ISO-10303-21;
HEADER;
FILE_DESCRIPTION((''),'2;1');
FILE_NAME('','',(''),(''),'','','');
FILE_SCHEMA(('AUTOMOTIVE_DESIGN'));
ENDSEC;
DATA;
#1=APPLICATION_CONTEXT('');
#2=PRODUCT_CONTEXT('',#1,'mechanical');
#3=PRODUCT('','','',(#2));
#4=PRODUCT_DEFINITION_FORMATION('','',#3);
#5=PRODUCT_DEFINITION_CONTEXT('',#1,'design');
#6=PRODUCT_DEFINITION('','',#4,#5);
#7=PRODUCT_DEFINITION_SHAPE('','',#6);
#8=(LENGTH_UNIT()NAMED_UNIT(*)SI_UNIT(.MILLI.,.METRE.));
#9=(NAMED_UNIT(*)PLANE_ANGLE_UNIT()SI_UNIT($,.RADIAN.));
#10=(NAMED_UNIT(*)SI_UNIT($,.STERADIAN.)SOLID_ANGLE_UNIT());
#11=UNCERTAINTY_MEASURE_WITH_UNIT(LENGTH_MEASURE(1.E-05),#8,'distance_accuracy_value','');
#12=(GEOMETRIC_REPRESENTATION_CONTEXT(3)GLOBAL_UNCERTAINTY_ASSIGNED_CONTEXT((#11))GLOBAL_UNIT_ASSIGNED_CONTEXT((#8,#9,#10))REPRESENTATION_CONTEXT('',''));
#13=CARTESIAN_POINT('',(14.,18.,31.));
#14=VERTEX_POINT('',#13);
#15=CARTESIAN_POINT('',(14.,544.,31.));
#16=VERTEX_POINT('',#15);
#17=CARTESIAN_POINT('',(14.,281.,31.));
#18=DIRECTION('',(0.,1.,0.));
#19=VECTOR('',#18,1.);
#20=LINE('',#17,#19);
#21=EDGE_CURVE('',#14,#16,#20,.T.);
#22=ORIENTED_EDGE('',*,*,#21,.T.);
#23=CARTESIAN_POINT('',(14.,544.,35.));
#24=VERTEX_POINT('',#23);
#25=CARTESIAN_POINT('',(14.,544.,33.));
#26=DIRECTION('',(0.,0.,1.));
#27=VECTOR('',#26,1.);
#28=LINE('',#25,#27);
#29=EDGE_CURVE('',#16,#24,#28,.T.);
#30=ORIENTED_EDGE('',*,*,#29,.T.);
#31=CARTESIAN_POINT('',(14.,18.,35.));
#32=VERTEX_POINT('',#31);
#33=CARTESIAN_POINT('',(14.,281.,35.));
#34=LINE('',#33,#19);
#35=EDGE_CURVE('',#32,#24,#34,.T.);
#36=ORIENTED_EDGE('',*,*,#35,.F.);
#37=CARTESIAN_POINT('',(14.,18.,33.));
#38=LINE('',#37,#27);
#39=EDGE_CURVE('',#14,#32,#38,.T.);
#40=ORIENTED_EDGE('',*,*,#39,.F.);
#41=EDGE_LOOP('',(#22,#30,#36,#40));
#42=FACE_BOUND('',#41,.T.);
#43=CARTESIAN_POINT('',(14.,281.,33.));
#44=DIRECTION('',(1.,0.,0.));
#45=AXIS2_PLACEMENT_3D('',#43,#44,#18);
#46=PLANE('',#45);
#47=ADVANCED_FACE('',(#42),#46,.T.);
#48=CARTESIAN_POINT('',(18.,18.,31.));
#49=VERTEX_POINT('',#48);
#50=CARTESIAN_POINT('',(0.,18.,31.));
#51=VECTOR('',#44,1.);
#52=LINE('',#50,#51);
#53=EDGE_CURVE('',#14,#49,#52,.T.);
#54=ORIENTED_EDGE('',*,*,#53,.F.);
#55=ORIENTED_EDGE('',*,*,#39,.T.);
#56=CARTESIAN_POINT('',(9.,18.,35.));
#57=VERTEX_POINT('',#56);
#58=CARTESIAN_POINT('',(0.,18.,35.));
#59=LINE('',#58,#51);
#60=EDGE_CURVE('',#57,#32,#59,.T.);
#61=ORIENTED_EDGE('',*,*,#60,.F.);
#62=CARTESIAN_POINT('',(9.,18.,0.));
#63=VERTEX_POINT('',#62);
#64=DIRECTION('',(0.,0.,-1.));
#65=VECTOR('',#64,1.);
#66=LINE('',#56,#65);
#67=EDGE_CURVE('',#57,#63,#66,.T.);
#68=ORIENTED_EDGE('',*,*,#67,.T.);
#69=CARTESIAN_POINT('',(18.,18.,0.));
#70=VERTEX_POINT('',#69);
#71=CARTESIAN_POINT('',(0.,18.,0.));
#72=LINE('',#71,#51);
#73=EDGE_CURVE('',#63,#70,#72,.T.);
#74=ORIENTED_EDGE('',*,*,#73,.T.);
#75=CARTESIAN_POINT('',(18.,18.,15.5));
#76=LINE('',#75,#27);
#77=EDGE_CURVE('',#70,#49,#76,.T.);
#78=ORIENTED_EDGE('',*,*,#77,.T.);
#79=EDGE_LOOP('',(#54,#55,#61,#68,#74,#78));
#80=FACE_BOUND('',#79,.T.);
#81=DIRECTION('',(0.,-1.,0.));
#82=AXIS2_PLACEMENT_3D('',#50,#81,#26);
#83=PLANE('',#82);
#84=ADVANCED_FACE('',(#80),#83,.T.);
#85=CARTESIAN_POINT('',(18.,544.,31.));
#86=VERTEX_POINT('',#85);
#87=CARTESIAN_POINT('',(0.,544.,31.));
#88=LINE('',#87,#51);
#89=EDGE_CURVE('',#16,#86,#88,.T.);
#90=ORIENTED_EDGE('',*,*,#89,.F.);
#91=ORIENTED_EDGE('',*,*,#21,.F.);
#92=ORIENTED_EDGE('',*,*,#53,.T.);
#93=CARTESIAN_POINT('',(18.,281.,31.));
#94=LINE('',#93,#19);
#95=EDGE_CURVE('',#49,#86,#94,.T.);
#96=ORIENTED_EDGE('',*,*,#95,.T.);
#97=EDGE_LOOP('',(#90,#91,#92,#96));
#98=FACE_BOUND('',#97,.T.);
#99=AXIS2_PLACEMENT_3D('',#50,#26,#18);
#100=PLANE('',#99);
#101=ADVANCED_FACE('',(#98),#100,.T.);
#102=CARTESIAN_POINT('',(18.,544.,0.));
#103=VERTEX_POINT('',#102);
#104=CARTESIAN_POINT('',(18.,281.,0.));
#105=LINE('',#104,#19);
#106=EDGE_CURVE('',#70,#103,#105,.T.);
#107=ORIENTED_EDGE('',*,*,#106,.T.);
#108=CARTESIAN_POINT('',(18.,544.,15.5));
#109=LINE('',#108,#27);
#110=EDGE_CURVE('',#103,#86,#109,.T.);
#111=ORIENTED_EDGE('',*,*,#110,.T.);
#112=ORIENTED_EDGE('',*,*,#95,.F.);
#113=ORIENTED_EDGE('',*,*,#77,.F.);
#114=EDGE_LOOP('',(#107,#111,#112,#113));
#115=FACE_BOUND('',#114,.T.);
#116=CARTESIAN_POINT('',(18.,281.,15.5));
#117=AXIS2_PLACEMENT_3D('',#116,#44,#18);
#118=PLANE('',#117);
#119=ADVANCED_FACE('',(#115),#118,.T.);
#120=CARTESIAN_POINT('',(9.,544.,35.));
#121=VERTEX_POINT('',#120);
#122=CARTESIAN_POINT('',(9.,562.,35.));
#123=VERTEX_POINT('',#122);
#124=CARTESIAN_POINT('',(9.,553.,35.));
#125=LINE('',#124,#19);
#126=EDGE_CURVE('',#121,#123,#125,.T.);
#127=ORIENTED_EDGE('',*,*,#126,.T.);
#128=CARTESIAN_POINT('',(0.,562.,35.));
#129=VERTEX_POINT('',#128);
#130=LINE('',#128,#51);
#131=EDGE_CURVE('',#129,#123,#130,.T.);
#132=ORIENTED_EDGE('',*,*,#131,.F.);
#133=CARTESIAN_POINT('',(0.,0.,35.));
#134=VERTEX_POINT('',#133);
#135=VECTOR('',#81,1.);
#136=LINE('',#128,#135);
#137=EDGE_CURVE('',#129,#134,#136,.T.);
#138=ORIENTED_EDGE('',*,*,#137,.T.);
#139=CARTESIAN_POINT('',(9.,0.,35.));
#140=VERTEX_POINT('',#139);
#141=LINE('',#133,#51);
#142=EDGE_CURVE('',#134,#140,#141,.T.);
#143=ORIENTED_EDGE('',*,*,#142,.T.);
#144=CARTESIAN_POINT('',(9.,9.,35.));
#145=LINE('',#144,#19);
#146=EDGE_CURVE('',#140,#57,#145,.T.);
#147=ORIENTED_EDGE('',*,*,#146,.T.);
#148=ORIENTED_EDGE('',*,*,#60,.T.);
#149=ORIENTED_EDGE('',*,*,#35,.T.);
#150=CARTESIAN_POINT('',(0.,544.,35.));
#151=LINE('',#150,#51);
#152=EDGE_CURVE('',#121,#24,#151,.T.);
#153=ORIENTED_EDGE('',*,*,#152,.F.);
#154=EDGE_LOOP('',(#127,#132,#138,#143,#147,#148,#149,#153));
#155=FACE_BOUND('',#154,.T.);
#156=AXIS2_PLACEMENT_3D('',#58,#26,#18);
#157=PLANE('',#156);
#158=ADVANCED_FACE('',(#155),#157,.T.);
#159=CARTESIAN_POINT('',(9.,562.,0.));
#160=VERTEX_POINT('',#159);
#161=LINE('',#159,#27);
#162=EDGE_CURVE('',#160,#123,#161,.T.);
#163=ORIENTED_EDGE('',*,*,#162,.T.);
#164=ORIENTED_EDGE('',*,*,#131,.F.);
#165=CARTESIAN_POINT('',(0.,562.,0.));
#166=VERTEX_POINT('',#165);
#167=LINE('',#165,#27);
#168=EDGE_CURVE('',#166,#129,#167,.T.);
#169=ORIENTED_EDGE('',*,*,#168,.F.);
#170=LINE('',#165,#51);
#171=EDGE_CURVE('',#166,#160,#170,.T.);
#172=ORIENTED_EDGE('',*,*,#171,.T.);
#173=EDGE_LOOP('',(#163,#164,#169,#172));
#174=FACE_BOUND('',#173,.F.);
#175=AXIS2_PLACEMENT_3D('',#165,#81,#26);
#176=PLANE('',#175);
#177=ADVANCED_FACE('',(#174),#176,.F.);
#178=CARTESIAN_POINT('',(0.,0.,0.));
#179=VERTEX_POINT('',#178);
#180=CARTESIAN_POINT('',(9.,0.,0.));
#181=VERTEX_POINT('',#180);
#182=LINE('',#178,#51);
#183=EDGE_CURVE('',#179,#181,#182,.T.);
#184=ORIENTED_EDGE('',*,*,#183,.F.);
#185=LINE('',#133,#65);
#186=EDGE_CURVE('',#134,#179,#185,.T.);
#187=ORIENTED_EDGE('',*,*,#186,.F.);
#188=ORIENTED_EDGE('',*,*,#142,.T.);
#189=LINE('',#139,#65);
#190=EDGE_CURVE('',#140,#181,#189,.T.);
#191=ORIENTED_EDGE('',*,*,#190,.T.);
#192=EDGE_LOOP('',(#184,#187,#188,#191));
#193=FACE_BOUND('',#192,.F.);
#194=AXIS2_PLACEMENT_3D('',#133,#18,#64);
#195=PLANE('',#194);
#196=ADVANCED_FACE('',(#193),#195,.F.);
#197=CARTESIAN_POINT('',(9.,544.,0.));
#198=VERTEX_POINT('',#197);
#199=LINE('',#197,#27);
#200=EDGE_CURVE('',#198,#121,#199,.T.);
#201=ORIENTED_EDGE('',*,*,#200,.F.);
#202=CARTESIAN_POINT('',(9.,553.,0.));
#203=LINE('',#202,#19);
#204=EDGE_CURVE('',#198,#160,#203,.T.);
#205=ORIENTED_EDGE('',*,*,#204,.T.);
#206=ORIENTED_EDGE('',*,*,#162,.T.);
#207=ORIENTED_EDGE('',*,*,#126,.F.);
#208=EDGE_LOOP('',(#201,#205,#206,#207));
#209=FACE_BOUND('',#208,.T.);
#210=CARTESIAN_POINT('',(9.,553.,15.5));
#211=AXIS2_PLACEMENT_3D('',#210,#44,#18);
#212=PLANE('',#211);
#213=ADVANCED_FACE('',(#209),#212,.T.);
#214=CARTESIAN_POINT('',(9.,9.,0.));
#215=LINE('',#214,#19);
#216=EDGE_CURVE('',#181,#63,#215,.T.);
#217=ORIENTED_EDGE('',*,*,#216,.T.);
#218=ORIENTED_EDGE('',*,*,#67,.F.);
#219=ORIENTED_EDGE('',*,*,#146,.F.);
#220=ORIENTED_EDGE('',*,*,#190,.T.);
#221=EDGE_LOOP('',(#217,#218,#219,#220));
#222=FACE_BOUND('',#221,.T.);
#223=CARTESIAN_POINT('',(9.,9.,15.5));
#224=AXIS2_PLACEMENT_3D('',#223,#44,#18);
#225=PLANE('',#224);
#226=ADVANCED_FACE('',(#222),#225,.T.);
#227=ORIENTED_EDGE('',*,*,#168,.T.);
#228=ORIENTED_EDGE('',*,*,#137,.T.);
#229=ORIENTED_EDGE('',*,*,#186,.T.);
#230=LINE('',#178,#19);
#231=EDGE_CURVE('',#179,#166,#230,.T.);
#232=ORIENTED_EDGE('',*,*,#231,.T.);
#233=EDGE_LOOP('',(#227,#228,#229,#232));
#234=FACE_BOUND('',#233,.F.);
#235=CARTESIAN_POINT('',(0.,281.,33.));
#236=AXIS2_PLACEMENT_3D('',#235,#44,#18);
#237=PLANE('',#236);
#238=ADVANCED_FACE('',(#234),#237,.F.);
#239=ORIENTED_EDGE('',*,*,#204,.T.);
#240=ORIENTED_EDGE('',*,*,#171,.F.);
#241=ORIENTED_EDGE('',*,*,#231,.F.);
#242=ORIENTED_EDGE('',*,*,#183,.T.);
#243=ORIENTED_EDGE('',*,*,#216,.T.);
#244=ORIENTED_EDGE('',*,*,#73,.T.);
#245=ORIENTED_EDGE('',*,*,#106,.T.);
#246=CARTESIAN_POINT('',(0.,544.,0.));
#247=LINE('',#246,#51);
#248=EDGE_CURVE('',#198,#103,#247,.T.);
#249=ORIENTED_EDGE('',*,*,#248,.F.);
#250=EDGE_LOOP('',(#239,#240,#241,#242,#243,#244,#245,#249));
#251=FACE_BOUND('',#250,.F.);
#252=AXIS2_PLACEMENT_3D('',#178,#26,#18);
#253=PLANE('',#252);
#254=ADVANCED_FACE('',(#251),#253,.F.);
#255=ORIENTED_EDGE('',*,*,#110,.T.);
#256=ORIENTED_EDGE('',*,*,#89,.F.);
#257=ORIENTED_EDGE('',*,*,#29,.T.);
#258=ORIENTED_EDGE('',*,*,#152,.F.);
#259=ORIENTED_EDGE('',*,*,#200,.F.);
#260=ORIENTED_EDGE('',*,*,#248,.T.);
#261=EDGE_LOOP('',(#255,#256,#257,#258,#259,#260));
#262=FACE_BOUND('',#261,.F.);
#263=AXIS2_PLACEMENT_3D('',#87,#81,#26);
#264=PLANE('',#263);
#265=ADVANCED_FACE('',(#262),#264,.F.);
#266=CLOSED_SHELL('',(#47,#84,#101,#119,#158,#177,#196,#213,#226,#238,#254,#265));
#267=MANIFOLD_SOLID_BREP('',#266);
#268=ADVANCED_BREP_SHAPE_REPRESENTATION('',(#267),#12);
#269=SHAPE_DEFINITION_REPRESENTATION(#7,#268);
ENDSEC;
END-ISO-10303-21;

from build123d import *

# Parameters (mm, degrees)
F0_W     = 526
F0_H     = 31
F1_DEPTH = 18
F0_W_2   = 18
F0_H_2   = 4
F2_DEPTH = 9
F3_DEPTH = 14


with BuildPart() as f1:
    # F0 (on Right) → F1 (new body)
    with BuildSketch(Plane.YZ):
        with Locations((281, 15.5)):
            Rectangle(F0_W, F0_H)
    extrude(amount=F1_DEPTH)

    # F0 (on Right) → F2 (join)
    with BuildSketch(Plane.YZ):
        with Locations((9, 15.5)):
            Rectangle(F0_W_2, F0_H)
        with Locations((553, 15.5)):
            Rectangle(F0_W_2, F0_H)
        with Locations((9, 33)):
            Rectangle(F0_W_2, F0_H_2)
        with Locations((553, 33)):
            Rectangle(F0_W_2, F0_H_2)
    extrude(amount=F2_DEPTH)

    # F0 (on Right) → F3 (join)
    with BuildSketch(Plane.YZ):
        with Locations((281, 33)):
            Rectangle(F0_W, F0_H_2)
    extrude(amount=F3_DEPTH)


solid = f1.part
